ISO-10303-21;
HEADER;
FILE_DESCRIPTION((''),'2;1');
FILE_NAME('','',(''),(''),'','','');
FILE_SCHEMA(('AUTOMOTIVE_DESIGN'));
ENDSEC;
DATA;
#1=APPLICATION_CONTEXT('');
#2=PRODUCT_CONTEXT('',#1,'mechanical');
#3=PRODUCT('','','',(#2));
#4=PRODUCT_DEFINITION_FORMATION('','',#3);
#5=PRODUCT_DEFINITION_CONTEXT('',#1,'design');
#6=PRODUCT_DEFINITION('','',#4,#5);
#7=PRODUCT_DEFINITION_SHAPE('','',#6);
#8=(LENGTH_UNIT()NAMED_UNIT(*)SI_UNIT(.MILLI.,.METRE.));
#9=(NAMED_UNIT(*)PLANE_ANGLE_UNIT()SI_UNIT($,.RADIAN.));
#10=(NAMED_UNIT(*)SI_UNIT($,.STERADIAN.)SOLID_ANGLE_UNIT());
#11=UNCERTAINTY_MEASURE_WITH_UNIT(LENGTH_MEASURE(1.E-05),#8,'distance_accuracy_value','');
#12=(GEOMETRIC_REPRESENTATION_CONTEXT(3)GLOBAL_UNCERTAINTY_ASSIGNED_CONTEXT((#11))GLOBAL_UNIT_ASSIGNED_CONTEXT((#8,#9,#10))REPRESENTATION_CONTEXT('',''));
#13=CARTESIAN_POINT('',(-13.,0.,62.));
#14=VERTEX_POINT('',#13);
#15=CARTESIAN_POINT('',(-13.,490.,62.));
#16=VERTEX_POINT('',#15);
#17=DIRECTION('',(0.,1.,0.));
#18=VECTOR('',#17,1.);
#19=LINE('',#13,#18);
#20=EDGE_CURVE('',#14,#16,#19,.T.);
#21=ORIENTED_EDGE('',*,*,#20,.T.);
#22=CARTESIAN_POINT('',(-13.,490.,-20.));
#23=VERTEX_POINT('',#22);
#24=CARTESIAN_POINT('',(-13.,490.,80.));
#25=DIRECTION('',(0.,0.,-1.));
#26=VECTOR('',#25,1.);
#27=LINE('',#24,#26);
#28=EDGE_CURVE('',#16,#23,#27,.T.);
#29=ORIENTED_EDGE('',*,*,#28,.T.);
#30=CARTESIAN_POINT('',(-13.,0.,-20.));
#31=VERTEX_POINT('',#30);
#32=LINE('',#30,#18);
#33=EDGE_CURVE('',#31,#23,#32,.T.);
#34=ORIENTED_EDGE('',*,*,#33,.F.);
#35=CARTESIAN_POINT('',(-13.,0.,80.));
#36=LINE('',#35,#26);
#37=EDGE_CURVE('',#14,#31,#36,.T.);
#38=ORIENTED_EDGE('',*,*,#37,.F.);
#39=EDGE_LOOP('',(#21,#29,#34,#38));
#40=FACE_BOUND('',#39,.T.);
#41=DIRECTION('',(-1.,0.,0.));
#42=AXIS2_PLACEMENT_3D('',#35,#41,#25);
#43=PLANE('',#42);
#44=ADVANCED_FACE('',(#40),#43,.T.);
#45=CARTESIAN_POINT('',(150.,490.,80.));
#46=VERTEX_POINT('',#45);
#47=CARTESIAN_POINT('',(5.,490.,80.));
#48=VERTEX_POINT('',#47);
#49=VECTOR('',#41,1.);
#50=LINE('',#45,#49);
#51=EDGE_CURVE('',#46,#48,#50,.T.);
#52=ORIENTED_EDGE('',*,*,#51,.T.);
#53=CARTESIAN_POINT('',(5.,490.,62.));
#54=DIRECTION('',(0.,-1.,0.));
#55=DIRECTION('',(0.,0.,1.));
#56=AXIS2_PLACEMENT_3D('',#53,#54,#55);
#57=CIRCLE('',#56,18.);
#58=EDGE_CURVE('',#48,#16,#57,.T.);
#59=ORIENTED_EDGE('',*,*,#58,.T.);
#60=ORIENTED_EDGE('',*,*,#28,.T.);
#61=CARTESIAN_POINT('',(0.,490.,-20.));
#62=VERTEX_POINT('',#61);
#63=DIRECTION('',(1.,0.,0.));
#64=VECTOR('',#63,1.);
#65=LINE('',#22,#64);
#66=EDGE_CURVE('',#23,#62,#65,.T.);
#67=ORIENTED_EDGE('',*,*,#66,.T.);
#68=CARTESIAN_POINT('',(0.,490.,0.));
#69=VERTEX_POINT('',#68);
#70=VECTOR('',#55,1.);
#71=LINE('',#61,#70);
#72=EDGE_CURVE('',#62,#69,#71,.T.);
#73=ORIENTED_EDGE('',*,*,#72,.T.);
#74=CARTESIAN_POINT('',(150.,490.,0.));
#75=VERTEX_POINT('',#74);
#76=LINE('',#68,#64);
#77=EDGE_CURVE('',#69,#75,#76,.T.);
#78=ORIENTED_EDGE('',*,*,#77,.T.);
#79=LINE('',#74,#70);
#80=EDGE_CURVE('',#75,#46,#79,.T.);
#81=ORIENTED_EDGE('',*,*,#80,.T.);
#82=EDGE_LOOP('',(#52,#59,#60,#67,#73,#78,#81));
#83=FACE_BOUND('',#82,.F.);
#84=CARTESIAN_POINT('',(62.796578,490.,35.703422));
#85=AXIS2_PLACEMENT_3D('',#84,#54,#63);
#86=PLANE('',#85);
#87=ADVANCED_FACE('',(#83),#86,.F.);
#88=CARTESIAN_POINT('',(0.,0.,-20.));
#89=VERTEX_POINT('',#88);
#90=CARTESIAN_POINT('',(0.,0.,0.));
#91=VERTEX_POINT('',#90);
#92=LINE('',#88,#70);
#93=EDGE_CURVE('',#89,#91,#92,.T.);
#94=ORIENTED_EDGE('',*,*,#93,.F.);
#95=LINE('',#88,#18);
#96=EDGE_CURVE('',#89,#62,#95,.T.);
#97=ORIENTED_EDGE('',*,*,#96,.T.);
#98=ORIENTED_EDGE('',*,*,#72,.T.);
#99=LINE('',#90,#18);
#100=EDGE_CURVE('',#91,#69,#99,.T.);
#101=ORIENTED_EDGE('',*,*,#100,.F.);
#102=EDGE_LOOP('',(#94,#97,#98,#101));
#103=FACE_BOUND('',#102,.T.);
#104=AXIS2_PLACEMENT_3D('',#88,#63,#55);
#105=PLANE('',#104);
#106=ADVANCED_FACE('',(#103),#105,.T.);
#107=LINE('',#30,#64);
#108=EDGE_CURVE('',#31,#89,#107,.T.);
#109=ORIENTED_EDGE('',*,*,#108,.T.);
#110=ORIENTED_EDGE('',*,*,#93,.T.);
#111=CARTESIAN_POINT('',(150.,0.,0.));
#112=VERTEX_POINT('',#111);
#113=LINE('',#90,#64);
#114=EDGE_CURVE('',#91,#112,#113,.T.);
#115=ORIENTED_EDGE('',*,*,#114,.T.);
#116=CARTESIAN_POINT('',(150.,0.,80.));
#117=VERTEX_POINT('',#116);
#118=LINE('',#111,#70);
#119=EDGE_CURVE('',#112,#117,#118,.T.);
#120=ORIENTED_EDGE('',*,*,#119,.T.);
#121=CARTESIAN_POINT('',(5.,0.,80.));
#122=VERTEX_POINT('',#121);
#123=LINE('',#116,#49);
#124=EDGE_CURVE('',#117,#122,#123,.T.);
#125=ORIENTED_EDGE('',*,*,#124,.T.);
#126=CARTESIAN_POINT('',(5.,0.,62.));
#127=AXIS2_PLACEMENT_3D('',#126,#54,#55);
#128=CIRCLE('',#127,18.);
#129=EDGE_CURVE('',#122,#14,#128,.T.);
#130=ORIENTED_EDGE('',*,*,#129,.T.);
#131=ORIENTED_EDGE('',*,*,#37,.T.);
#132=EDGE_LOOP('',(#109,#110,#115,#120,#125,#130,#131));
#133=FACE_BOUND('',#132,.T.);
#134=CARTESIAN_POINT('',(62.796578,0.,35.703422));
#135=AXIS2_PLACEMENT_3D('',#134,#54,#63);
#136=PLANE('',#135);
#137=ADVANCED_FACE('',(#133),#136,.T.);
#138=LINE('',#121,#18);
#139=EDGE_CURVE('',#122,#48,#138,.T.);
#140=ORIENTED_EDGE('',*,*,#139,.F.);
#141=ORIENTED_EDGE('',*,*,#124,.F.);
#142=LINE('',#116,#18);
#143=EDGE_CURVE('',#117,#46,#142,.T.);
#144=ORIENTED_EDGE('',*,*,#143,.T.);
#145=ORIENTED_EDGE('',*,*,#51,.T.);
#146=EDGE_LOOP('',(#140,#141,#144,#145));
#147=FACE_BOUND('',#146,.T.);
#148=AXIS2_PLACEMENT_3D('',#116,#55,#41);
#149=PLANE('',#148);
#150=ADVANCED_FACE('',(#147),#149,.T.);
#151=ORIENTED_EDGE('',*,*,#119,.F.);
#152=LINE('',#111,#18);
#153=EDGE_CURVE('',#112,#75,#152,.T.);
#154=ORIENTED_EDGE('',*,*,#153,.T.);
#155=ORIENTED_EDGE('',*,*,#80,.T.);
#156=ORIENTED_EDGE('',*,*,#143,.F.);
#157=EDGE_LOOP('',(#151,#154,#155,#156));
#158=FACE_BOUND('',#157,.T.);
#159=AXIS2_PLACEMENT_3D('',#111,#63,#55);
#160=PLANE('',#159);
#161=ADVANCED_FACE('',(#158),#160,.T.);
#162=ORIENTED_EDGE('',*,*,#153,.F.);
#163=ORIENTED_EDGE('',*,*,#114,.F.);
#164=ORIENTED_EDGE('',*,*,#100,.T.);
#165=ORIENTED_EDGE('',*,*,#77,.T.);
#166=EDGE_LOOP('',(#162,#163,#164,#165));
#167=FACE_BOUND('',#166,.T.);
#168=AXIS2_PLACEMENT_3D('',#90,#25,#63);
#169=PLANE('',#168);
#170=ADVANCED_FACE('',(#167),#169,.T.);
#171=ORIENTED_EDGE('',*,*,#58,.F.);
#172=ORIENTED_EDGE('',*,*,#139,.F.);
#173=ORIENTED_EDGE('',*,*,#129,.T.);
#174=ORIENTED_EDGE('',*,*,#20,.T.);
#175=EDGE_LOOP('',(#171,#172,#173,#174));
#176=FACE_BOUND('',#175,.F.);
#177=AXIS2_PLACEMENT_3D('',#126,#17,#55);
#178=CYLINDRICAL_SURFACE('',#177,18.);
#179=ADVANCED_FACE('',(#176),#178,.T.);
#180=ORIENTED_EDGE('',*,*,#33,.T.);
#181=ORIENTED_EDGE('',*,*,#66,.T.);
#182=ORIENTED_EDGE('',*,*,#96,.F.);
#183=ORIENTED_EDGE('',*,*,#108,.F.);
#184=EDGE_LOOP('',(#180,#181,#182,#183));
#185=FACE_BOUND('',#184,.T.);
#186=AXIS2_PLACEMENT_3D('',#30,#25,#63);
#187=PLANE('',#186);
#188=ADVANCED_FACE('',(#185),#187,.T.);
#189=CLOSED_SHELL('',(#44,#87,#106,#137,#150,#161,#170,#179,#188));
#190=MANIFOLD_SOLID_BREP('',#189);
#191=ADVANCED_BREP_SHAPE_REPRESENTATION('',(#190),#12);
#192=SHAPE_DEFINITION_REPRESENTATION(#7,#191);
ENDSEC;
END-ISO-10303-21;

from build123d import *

# Parameters (mm, degrees)
PAD_DEPTH = 490
FILLET_R  = 18


with BuildPart() as part:
    # Sketch → Pad (new body)
    with BuildSketch(Plane.XZ):
        Polygon((0, 0), (150, 0), (150, 80), (0, 80), (-13, 80), (-13, -20), (0, -20), align=None)
    extrude(amount=-PAD_DEPTH)

    # Fillet
    fillet_edges = [part.edges().sort_by_distance(p)[0] for p in [
        (-13, 245, 80),
    ]]
    fillet(fillet_edges, radius=FILLET_R)


solid = part.part
